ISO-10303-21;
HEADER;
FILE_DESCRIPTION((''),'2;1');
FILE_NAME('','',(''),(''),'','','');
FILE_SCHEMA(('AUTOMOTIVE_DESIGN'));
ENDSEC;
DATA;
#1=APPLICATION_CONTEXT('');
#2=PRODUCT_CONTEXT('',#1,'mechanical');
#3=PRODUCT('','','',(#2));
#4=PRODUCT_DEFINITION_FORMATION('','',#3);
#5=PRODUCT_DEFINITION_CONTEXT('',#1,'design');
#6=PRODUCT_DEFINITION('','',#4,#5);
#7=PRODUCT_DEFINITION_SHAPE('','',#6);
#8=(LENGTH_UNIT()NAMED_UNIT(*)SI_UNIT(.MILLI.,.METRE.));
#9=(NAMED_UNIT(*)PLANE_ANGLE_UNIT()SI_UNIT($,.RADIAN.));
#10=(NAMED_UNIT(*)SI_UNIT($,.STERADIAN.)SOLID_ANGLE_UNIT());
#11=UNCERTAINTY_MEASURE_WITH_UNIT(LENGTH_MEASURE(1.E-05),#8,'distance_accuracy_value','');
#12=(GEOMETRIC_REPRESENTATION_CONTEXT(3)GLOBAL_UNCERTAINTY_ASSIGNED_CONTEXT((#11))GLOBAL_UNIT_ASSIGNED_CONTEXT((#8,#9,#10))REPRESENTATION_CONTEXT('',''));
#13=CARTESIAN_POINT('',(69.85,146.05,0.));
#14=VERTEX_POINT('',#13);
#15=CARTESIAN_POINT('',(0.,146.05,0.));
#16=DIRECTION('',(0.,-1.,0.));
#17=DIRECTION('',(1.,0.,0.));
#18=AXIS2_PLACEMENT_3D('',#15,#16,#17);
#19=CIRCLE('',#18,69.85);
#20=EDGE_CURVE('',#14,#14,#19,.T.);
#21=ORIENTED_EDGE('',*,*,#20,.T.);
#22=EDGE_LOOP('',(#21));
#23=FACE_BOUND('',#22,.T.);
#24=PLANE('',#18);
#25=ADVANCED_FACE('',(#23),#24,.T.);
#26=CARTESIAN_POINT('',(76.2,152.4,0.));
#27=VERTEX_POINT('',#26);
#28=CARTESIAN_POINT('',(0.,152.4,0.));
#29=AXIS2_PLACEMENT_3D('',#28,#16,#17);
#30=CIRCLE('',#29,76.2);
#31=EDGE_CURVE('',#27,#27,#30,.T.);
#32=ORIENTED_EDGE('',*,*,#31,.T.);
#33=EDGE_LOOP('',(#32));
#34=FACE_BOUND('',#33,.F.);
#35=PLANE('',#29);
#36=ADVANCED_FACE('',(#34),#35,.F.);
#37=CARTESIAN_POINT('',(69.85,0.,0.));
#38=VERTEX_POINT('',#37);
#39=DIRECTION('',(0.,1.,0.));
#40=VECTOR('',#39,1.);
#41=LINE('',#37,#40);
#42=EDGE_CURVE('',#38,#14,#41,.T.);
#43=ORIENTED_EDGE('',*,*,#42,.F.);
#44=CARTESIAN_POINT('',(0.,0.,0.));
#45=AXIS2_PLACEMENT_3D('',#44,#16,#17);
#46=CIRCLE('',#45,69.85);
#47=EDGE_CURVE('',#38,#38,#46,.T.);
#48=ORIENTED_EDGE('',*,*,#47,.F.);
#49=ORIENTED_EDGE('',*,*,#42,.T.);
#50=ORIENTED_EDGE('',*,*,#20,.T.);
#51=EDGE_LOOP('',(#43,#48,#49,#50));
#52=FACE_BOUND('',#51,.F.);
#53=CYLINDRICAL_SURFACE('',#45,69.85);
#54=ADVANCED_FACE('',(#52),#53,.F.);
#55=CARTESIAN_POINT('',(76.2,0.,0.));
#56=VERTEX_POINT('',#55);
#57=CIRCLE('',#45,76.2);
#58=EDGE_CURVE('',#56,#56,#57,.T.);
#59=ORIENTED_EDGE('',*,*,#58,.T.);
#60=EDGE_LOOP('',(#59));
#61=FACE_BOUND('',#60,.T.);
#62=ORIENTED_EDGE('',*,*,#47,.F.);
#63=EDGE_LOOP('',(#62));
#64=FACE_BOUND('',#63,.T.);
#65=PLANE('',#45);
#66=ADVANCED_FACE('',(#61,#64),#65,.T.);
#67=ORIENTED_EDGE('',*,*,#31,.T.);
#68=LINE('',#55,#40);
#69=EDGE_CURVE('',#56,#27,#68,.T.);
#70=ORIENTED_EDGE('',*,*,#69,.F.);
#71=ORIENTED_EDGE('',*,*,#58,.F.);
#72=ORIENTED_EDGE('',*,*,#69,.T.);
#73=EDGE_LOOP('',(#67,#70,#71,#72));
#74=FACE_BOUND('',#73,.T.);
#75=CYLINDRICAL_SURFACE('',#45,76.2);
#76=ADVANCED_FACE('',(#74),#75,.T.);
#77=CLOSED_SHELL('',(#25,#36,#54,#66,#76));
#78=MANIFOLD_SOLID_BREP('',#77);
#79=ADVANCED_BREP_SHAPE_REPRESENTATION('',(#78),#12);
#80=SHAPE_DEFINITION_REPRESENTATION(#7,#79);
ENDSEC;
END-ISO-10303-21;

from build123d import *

# Parameters (mm, degrees)
F0_R     = 76.2
F1_DEPTH = 152.4
F2_T     = -6.35


with BuildPart() as f1:
    # F0 (on Front) → F1 (new body)
    with BuildSketch(Plane.XZ):
        Circle(F0_R)
    extrude(amount=-F1_DEPTH)

    # F2
    f2_openings = [f1.faces().sort_by_distance(p)[0] for p in [
        (0, 0, 0),
    ]]
    offset(amount=F2_T, openings=f2_openings)


solid = f1.part
